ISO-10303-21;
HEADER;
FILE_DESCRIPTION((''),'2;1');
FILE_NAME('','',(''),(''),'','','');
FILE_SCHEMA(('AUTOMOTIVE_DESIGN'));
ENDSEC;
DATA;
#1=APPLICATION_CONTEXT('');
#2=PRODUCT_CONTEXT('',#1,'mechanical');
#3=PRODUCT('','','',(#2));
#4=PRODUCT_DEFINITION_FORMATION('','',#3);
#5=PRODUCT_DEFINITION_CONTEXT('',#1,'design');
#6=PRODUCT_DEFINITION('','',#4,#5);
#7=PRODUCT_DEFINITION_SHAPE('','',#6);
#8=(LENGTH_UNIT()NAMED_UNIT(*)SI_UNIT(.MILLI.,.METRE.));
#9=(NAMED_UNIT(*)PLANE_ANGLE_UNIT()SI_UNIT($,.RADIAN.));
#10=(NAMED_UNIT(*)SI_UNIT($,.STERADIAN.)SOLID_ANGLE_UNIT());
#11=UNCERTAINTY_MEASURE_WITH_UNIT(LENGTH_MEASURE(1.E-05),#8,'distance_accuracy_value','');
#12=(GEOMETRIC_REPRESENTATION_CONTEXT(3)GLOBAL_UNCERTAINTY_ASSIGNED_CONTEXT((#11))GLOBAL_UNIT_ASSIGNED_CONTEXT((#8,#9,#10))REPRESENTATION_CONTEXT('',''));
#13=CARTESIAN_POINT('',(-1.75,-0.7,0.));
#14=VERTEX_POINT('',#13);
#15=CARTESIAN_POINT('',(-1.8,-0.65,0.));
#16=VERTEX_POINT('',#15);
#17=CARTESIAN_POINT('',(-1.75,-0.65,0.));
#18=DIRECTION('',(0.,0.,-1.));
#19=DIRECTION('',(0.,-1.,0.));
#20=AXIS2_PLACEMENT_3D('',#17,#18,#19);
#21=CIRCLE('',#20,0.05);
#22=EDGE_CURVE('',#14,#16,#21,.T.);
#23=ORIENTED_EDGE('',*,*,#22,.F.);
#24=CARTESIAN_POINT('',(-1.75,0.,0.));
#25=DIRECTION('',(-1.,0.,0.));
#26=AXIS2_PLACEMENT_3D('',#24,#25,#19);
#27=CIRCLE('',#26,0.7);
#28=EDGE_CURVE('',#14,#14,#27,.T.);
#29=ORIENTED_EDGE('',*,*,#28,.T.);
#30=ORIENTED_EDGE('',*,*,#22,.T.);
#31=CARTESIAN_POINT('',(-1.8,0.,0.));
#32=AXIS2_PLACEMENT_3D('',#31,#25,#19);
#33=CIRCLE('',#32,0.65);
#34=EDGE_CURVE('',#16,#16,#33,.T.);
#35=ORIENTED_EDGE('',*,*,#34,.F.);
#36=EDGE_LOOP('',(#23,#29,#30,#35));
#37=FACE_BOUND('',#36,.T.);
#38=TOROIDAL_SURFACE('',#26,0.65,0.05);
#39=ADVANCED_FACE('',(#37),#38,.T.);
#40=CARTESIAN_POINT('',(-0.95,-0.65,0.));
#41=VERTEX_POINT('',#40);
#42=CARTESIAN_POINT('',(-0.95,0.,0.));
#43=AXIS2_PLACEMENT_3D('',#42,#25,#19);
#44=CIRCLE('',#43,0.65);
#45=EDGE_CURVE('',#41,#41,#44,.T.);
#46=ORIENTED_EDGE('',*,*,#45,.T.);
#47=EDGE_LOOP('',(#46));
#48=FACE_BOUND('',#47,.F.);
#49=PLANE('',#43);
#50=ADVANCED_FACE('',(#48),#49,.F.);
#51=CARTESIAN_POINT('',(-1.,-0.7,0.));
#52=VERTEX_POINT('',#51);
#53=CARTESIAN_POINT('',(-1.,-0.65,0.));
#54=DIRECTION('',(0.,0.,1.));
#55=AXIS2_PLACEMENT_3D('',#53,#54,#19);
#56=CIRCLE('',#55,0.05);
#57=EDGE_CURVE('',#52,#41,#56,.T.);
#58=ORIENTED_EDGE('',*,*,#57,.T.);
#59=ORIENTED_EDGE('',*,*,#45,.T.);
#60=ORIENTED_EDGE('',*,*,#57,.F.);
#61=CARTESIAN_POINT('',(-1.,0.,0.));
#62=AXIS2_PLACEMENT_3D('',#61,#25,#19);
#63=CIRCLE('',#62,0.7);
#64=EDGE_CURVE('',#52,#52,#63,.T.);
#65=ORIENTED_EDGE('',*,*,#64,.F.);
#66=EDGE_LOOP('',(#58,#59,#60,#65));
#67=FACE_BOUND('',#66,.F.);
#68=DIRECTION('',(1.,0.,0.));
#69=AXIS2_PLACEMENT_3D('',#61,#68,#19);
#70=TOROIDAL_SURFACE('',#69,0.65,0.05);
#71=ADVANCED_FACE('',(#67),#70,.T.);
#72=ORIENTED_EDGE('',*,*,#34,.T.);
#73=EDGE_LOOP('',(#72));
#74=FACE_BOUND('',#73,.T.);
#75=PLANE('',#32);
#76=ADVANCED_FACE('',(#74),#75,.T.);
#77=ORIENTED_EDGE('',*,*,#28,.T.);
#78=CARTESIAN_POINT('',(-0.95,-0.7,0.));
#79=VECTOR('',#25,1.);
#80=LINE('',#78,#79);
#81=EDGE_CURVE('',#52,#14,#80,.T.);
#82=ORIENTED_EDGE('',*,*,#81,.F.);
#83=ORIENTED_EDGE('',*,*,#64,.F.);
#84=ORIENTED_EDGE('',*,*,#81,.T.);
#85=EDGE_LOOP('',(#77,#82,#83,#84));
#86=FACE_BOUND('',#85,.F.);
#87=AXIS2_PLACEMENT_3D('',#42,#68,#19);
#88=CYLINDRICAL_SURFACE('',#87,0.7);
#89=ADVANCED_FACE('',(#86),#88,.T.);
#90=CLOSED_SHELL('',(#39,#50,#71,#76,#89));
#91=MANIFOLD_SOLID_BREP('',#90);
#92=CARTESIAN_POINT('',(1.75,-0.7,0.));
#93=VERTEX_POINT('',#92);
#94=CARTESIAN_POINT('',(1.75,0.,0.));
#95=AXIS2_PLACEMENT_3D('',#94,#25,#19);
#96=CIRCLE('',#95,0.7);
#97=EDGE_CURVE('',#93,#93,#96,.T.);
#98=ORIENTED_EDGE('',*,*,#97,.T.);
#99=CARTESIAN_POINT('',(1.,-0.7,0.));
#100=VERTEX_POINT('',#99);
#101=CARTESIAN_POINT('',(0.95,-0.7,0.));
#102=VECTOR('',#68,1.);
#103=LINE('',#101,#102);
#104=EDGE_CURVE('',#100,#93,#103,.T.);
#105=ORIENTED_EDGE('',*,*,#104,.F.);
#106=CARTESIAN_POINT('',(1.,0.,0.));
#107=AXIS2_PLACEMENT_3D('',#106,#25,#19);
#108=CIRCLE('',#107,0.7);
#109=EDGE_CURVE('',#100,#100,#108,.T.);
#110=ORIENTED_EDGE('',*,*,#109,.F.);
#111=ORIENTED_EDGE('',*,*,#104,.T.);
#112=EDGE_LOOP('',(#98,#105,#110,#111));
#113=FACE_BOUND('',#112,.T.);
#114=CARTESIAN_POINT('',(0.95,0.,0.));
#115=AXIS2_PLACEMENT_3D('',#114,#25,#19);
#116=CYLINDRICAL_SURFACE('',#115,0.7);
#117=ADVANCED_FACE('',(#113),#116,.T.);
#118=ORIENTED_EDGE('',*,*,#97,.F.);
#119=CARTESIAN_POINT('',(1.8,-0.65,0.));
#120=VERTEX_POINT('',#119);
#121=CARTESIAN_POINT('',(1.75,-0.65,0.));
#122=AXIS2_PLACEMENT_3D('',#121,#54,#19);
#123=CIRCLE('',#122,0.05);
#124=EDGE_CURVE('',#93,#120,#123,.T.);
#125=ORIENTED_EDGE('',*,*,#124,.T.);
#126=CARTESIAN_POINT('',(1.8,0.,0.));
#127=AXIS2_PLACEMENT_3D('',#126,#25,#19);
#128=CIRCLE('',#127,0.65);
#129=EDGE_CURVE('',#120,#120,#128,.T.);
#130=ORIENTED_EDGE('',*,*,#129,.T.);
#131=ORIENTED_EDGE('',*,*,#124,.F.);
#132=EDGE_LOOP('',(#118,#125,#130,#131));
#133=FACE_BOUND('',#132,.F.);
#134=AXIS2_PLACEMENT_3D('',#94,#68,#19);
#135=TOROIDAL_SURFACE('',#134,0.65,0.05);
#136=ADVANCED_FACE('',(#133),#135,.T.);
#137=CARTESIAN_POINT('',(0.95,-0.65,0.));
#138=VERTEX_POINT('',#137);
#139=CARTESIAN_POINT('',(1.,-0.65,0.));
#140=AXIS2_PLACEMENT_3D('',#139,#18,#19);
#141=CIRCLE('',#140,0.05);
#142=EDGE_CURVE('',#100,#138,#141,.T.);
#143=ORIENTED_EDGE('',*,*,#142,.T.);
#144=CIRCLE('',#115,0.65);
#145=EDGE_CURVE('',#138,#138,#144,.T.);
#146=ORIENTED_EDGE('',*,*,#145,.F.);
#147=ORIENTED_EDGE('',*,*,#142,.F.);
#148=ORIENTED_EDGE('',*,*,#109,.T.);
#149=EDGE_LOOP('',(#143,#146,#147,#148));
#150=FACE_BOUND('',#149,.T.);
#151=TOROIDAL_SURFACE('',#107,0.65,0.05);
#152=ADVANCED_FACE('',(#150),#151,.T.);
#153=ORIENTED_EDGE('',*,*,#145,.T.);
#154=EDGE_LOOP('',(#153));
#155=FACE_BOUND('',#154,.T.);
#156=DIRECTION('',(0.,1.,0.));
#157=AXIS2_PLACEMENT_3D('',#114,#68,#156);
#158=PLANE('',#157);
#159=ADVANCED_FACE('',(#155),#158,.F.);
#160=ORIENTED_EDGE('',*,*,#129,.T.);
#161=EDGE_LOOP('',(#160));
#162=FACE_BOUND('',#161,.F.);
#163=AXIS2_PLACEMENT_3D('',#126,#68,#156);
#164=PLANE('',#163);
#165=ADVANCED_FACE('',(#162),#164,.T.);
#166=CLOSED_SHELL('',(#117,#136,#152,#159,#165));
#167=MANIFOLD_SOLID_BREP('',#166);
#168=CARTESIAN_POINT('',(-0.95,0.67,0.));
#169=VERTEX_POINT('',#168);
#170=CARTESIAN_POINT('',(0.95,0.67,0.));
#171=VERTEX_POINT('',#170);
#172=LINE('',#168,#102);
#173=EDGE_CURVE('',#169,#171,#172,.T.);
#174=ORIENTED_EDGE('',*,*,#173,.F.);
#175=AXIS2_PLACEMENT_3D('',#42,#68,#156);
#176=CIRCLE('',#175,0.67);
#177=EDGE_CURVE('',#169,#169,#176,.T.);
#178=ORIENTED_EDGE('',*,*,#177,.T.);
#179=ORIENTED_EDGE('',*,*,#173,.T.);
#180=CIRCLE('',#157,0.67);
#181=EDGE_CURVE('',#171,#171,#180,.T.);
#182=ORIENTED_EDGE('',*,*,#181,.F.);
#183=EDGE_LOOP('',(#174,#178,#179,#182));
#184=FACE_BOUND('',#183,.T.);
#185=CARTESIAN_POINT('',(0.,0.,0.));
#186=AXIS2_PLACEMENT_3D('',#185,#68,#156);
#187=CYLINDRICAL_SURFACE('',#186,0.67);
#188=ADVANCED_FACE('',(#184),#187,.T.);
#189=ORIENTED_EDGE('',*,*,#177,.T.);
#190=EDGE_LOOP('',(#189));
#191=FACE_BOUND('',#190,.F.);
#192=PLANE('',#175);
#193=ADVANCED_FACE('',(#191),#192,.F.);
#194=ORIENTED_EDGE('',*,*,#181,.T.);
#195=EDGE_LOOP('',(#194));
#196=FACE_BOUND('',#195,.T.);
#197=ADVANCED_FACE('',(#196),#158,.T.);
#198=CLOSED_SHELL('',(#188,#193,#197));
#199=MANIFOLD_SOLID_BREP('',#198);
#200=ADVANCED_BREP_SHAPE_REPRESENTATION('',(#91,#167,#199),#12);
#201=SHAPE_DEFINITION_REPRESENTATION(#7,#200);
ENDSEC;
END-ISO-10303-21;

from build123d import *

# Parameters (mm, degrees)
F0_R     = 0.67
F1_DEPTH = 0.95
F2_R     = 0.7
F3_DEPTH = 0.85
F4_R     = 0.05


with BuildPart() as f1:
    # F0 (on Right) → F1 (new body, symmetric)
    with BuildSketch(Plane.YZ):
        Circle(F0_R)
    extrude(amount=F1_DEPTH, both=True)


with BuildPart() as f3:
    # F2 (on face) → F3 (new body)
    with BuildSketch(Plane(origin=(-0.95, 0, 0), x_dir=(0, -1, 0), z_dir=(-1, 0, 0))):
        Circle(F2_R)
    extrude(amount=F3_DEPTH)

    # F4
    f4_edges = [f3.edges().sort_by_distance(p)[0] for p in [
        (-1.8, 0.7, 0),
        (-0.95, 0.7, 0),
    ]]
    fillet(f4_edges, radius=F4_R)


with BuildPart() as f5_1:
    # F5: instance of F3
    add(f3.part.mirror(Plane.YZ))


solid = Compound([f1.part, f3.part, f5_1.part])
